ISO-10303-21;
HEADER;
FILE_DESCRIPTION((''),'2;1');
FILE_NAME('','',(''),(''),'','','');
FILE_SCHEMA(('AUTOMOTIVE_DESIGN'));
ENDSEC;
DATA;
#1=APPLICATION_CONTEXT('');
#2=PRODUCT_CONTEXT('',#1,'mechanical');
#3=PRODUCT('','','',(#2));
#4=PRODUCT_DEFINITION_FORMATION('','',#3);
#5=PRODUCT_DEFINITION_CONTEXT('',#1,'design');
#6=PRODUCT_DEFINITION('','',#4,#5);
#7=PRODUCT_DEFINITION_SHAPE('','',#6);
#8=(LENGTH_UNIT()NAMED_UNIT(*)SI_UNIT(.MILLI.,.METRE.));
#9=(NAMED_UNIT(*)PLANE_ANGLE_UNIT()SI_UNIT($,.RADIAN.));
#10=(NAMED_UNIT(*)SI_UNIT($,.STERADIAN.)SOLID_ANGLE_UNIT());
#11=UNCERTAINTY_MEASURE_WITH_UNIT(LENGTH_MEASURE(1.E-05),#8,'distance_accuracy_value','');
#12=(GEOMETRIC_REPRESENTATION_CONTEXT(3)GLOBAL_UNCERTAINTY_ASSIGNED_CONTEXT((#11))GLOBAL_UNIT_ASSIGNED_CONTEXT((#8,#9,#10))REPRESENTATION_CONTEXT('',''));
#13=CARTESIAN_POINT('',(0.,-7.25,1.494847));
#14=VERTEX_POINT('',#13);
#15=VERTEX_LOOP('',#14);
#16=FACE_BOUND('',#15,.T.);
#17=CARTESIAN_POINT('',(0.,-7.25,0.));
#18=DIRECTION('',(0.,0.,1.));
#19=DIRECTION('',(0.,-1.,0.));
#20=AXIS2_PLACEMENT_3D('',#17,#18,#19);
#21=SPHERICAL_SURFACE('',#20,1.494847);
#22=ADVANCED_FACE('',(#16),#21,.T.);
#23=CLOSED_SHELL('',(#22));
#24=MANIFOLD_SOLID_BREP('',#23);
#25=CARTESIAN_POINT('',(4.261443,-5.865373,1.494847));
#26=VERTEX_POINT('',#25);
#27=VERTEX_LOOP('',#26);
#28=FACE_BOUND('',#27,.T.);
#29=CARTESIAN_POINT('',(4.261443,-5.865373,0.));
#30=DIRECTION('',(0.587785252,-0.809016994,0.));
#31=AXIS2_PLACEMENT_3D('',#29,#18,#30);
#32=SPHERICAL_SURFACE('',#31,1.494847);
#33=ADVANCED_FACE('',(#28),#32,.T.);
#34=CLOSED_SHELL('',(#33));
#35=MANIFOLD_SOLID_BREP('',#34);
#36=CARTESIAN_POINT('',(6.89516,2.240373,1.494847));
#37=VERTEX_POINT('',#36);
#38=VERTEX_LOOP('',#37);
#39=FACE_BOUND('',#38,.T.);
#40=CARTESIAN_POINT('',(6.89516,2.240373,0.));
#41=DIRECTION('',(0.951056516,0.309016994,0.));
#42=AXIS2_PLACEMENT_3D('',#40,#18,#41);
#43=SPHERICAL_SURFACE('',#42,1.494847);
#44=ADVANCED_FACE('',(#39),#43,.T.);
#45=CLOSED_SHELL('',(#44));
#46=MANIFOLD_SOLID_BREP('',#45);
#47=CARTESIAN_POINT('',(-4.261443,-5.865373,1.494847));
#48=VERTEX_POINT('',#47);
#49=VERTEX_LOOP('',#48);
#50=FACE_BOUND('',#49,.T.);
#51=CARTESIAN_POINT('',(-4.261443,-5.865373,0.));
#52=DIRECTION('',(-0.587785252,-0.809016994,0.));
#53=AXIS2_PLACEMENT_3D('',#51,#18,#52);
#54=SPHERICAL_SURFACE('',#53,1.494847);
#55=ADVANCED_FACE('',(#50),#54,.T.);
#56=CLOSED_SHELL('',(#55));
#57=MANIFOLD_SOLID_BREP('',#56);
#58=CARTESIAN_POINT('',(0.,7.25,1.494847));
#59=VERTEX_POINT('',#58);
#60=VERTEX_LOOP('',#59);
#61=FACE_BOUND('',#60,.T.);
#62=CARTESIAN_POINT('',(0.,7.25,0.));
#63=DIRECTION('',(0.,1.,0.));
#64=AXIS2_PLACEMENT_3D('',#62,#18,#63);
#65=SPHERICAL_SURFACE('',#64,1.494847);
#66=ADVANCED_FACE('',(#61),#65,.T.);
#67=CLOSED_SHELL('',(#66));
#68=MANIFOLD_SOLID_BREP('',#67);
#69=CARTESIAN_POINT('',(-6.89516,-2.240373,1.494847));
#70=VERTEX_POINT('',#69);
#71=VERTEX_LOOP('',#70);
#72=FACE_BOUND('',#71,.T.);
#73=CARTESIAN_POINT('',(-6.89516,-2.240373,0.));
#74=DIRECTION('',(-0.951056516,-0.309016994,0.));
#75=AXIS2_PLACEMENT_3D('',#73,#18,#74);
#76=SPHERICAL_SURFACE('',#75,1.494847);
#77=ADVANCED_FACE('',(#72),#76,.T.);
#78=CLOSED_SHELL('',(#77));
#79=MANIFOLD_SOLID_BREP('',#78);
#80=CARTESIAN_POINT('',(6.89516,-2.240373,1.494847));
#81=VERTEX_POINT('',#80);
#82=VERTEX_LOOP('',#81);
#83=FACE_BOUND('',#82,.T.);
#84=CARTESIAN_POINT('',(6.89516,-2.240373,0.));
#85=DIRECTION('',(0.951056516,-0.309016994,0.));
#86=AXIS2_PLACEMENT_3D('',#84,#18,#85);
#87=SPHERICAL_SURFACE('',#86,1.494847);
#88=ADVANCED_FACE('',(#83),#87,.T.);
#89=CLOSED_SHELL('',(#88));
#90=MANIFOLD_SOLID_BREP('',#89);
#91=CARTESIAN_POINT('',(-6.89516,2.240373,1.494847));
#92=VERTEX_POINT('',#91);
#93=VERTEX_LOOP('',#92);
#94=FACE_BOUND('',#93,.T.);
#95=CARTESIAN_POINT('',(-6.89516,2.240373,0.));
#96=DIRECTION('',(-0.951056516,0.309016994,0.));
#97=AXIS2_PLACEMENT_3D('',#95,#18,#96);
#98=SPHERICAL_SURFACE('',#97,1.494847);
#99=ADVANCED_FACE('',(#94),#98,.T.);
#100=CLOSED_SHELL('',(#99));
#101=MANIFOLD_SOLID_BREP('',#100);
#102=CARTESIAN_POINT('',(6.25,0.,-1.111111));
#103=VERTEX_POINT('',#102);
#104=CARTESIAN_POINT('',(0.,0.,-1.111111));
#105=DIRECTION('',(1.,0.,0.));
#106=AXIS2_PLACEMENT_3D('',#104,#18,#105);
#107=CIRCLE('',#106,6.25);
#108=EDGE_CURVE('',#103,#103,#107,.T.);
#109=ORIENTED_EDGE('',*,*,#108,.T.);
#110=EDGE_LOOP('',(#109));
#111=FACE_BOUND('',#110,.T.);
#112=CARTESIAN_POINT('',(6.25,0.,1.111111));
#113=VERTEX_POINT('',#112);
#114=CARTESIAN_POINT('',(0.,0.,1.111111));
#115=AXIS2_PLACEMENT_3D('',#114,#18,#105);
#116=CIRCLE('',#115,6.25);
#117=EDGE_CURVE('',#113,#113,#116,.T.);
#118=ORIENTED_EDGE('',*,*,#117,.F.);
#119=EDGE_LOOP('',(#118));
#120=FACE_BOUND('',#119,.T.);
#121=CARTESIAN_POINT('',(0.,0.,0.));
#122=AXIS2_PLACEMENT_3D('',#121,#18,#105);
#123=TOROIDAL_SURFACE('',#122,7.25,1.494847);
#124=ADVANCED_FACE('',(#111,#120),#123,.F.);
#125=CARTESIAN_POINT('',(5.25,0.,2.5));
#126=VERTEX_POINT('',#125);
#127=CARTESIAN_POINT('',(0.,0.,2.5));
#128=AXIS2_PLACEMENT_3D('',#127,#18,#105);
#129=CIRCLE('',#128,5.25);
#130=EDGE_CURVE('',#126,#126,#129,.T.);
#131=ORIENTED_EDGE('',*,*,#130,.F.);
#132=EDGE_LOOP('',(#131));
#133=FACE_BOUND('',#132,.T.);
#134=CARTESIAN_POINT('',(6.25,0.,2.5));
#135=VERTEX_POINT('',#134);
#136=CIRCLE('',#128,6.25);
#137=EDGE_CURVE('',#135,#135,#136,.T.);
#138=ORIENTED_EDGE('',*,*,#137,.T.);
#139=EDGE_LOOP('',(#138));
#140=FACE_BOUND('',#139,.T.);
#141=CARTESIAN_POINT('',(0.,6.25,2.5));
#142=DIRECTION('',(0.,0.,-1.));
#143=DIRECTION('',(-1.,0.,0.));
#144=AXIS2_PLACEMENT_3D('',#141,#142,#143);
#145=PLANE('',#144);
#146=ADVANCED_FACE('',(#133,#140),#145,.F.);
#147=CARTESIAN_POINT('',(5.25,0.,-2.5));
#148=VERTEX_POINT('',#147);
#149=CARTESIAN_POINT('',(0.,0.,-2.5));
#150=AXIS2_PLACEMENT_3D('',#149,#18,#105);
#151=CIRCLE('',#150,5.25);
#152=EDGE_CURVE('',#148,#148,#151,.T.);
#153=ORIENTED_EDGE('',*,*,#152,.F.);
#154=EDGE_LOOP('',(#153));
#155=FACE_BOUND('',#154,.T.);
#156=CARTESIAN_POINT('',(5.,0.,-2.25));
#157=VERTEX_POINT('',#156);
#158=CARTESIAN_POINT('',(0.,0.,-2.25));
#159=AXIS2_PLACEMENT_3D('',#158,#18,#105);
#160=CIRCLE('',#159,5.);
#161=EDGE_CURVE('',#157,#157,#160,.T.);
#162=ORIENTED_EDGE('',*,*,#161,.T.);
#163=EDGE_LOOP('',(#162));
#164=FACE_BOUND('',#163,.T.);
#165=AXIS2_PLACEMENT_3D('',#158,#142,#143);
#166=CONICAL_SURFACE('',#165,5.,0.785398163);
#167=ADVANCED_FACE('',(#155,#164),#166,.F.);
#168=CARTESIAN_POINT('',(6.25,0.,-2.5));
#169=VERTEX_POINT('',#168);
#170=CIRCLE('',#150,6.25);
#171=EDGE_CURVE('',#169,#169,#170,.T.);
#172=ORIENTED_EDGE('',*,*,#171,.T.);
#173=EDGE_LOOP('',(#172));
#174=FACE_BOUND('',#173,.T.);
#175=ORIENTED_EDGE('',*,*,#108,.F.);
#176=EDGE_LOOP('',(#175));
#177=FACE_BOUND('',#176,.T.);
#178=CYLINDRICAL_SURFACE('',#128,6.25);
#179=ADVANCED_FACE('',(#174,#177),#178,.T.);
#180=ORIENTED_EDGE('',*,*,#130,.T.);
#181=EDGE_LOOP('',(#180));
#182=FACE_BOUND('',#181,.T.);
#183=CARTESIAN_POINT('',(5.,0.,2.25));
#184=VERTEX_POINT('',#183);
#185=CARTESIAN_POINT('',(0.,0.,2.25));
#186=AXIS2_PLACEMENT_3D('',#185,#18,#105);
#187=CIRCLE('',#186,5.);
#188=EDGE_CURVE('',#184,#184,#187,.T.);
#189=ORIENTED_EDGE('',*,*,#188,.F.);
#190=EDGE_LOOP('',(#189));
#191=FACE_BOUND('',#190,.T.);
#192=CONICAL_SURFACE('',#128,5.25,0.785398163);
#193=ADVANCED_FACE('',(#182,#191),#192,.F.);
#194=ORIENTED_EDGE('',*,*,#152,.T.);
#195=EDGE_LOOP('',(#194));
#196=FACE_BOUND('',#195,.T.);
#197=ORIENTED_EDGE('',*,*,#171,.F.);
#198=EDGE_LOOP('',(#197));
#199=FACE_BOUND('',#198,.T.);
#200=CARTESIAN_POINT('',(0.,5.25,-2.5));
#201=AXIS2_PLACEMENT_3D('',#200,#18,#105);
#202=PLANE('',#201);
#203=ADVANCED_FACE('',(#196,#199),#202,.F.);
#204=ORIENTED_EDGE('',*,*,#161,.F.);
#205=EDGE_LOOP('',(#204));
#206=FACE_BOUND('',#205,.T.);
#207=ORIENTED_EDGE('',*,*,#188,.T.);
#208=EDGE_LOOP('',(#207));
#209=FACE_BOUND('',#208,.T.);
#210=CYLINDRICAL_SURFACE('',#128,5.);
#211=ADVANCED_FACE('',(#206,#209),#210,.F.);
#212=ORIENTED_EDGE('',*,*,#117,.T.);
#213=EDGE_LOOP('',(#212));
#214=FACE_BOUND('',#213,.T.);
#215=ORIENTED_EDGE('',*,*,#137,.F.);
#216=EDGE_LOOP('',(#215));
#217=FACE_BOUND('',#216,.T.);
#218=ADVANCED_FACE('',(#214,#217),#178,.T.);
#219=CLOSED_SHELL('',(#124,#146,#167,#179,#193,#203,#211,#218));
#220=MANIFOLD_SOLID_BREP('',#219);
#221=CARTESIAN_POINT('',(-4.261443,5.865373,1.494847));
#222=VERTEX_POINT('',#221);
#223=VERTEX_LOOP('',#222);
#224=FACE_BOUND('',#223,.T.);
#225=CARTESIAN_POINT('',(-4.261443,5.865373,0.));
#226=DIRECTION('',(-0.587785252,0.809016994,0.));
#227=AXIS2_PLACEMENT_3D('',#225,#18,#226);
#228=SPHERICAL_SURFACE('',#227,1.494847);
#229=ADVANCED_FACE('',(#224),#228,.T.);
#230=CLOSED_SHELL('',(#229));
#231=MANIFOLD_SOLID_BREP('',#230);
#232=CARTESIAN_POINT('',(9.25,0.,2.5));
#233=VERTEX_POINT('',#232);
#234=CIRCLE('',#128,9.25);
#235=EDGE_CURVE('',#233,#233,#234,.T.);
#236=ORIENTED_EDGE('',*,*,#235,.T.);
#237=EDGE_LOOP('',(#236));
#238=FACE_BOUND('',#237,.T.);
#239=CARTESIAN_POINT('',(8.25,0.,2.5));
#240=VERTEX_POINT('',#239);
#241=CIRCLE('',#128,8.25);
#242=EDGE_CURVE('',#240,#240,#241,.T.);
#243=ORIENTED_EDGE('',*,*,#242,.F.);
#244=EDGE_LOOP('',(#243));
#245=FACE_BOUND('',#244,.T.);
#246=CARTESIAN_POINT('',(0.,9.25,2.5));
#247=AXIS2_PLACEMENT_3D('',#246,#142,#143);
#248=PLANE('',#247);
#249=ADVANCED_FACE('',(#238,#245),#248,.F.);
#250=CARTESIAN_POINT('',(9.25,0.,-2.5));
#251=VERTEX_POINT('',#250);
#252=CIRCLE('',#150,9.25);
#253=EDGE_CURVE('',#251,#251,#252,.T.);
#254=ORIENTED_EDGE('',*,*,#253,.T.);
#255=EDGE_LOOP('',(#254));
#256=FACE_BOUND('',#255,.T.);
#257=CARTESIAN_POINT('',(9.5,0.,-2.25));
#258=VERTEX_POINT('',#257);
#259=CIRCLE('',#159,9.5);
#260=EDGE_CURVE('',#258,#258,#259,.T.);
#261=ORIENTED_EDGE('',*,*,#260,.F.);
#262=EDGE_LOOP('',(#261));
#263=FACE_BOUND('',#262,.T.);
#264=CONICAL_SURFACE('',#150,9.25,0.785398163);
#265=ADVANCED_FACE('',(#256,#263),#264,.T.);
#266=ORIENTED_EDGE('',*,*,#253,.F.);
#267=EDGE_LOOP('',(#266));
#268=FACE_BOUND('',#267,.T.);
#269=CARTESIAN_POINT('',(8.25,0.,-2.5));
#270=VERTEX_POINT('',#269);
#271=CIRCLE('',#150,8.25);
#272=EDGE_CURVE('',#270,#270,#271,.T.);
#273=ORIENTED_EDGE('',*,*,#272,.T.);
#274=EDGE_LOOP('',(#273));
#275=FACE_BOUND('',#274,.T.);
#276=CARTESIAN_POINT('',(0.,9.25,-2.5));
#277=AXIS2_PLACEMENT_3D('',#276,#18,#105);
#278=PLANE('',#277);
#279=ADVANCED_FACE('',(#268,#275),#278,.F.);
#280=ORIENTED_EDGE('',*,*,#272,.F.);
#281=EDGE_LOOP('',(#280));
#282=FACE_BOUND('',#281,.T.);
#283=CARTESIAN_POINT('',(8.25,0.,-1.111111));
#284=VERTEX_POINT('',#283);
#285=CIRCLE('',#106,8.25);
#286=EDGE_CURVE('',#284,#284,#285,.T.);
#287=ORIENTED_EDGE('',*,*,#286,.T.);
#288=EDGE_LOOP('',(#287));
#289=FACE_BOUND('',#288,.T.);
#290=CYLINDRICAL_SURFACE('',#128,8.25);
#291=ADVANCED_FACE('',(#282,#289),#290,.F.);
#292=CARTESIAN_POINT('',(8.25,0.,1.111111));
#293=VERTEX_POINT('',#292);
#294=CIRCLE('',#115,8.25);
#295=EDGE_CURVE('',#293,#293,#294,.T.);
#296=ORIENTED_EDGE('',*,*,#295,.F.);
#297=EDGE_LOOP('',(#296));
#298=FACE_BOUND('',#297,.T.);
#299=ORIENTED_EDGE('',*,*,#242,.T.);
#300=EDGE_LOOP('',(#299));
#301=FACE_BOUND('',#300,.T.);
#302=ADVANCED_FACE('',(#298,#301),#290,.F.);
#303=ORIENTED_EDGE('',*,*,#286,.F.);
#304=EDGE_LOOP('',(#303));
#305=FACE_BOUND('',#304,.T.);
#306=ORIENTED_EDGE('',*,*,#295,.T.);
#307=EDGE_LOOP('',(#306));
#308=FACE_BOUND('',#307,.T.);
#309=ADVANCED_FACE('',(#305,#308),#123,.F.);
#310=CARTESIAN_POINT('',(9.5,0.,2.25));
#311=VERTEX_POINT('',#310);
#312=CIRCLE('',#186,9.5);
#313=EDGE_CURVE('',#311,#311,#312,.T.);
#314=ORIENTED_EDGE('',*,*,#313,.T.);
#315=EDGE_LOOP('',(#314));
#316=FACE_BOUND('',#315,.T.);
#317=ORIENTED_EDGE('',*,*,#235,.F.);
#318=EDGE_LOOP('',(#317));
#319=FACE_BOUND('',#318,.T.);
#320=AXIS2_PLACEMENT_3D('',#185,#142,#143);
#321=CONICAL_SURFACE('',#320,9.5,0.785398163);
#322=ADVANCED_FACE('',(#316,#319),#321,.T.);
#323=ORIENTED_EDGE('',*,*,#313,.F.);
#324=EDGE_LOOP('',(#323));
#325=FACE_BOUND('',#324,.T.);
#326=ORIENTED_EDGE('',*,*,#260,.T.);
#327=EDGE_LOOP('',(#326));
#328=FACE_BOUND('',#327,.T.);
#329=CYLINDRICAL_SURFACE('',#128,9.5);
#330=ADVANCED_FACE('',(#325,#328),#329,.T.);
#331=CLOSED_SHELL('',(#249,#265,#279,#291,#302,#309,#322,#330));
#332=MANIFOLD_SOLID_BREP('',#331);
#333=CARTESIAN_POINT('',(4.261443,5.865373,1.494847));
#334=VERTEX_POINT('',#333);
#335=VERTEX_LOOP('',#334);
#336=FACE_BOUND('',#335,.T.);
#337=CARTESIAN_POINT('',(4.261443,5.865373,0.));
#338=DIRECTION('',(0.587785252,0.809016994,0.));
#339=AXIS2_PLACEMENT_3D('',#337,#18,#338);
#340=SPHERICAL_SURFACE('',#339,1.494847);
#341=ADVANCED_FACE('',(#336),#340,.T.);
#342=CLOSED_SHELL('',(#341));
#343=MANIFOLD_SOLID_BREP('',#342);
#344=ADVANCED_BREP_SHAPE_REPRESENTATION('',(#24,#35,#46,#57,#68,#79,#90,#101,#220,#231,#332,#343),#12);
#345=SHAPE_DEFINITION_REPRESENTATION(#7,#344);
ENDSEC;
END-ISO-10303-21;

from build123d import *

# Parameters (mm, degrees)
CIRPATTERN1_COUNT = 10


with BuildPart() as part:
    # Sketch5 → Revolve1 (revolve)
    with BuildSketch(Plane(origin=(0, 0, 0), x_dir=(0, 0, -1), z_dir=(1, 0, 0))):
        with BuildLine():
            Line((2.25, 9.5), (-2.25, 9.5))
            Line((-2.25, 9.5), (-2.5, 9.25))
            Line((-2.5, 9.25), (-2.5, 8.25))
            Line((-2.5, 8.25), (-1.111111111, 8.25))
            ThreePointArc((-1.111111111, 8.25), (0, 8.744847116), (1.111111111, 8.25))
            Line((1.111111111, 8.25), (2.5, 8.25))
            Line((2.5, 8.25), (2.5, 9.25))
            Line((2.5, 9.25), (2.25, 9.5))
        make_face()
    revolve(axis=Axis((0, 0, 2.5), (0, 0, -1)))


with BuildPart() as body_2:
    # Sketch3 → Revolve3 (revolve)
    with BuildSketch(Plane(origin=(0, 0, 0), x_dir=(0, 0, -1), z_dir=(1, 0, 0))):
        with BuildLine():
            Line((-2.5, 6.25), (-1.111111111, 6.25))
            ThreePointArc((-1.111111111, 6.25), (0, 5.755152884), (1.111111111, 6.25))
            Line((1.111111111, 6.25), (2.5, 6.25))
            Line((2.5, 6.25), (2.5, 5.25))
            Line((2.5, 5.25), (2.25, 5))
            Line((2.25, 5), (-2.25, 5))
            Line((-2.25, 5), (-2.5, 5.25))
            Line((-2.5, 5.25), (-2.5, 6.25))
        make_face()
    revolve(axis=Axis((0, 0, 2.5), (0, 0, -1)))


with BuildPart() as body_3:
    # Sketch4 → Revolve4 (revolve)
    with BuildSketch(Plane(origin=(0, 0, 0), x_dir=(0, 0, -1), z_dir=(1, 0, 0))):
        with BuildLine():
            Line((-1.494847116, 7.25), (1.494847116, 7.25))
            ThreePointArc((1.494847116, 7.25), (0, 8.744847116), (-1.494847116, 7.25))
        make_face()
    revolve(axis=Axis((0, 7.25, 1.494847116), (0, 0, -1)))


with BuildPart() as cirpattern1_1:
    # CirPattern1: pattern copy
    add(body_3.part.rotate(Axis((0, 0, 0), (0, 0, 1)), 1 * 360 / CIRPATTERN1_COUNT))


with BuildPart() as cirpattern1_2:
    # CirPattern1: pattern copy
    add(body_3.part.rotate(Axis((0, 0, 0), (0, 0, 1)), 2 * 360 / CIRPATTERN1_COUNT))


with BuildPart() as cirpattern1_3:
    # CirPattern1: pattern copy
    add(body_3.part.rotate(Axis((0, 0, 0), (0, 0, 1)), 3 * 360 / CIRPATTERN1_COUNT))


with BuildPart() as cirpattern1_4:
    # CirPattern1: pattern copy
    add(body_3.part.rotate(Axis((0, 0, 0), (0, 0, 1)), 4 * 360 / CIRPATTERN1_COUNT))


with BuildPart() as cirpattern1_5:
    # CirPattern1: pattern copy
    add(body_3.part.rotate(Axis((0, 0, 0), (0, 0, 1)), 5 * 360 / CIRPATTERN1_COUNT))


with BuildPart() as cirpattern1_6:
    # CirPattern1: pattern copy
    add(body_3.part.rotate(Axis((0, 0, 0), (0, 0, 1)), 6 * 360 / CIRPATTERN1_COUNT))


with BuildPart() as cirpattern1_7:
    # CirPattern1: pattern copy
    add(body_3.part.rotate(Axis((0, 0, 0), (0, 0, 1)), 7 * 360 / CIRPATTERN1_COUNT))


with BuildPart() as cirpattern1_8:
    # CirPattern1: pattern copy
    add(body_3.part.rotate(Axis((0, 0, 0), (0, 0, 1)), 8 * 360 / CIRPATTERN1_COUNT))


with BuildPart() as cirpattern1_9:
    # CirPattern1: pattern copy
    add(body_3.part.rotate(Axis((0, 0, 0), (0, 0, 1)), 9 * 360 / CIRPATTERN1_COUNT))


solid = Compound([part.part, body_2.part, body_3.part, cirpattern1_1.part, cirpattern1_2.part, cirpattern1_3.part, cirpattern1_4.part, cirpattern1_5.part, cirpattern1_6.part, cirpattern1_7.part, cirpattern1_8.part, cirpattern1_9.part])
